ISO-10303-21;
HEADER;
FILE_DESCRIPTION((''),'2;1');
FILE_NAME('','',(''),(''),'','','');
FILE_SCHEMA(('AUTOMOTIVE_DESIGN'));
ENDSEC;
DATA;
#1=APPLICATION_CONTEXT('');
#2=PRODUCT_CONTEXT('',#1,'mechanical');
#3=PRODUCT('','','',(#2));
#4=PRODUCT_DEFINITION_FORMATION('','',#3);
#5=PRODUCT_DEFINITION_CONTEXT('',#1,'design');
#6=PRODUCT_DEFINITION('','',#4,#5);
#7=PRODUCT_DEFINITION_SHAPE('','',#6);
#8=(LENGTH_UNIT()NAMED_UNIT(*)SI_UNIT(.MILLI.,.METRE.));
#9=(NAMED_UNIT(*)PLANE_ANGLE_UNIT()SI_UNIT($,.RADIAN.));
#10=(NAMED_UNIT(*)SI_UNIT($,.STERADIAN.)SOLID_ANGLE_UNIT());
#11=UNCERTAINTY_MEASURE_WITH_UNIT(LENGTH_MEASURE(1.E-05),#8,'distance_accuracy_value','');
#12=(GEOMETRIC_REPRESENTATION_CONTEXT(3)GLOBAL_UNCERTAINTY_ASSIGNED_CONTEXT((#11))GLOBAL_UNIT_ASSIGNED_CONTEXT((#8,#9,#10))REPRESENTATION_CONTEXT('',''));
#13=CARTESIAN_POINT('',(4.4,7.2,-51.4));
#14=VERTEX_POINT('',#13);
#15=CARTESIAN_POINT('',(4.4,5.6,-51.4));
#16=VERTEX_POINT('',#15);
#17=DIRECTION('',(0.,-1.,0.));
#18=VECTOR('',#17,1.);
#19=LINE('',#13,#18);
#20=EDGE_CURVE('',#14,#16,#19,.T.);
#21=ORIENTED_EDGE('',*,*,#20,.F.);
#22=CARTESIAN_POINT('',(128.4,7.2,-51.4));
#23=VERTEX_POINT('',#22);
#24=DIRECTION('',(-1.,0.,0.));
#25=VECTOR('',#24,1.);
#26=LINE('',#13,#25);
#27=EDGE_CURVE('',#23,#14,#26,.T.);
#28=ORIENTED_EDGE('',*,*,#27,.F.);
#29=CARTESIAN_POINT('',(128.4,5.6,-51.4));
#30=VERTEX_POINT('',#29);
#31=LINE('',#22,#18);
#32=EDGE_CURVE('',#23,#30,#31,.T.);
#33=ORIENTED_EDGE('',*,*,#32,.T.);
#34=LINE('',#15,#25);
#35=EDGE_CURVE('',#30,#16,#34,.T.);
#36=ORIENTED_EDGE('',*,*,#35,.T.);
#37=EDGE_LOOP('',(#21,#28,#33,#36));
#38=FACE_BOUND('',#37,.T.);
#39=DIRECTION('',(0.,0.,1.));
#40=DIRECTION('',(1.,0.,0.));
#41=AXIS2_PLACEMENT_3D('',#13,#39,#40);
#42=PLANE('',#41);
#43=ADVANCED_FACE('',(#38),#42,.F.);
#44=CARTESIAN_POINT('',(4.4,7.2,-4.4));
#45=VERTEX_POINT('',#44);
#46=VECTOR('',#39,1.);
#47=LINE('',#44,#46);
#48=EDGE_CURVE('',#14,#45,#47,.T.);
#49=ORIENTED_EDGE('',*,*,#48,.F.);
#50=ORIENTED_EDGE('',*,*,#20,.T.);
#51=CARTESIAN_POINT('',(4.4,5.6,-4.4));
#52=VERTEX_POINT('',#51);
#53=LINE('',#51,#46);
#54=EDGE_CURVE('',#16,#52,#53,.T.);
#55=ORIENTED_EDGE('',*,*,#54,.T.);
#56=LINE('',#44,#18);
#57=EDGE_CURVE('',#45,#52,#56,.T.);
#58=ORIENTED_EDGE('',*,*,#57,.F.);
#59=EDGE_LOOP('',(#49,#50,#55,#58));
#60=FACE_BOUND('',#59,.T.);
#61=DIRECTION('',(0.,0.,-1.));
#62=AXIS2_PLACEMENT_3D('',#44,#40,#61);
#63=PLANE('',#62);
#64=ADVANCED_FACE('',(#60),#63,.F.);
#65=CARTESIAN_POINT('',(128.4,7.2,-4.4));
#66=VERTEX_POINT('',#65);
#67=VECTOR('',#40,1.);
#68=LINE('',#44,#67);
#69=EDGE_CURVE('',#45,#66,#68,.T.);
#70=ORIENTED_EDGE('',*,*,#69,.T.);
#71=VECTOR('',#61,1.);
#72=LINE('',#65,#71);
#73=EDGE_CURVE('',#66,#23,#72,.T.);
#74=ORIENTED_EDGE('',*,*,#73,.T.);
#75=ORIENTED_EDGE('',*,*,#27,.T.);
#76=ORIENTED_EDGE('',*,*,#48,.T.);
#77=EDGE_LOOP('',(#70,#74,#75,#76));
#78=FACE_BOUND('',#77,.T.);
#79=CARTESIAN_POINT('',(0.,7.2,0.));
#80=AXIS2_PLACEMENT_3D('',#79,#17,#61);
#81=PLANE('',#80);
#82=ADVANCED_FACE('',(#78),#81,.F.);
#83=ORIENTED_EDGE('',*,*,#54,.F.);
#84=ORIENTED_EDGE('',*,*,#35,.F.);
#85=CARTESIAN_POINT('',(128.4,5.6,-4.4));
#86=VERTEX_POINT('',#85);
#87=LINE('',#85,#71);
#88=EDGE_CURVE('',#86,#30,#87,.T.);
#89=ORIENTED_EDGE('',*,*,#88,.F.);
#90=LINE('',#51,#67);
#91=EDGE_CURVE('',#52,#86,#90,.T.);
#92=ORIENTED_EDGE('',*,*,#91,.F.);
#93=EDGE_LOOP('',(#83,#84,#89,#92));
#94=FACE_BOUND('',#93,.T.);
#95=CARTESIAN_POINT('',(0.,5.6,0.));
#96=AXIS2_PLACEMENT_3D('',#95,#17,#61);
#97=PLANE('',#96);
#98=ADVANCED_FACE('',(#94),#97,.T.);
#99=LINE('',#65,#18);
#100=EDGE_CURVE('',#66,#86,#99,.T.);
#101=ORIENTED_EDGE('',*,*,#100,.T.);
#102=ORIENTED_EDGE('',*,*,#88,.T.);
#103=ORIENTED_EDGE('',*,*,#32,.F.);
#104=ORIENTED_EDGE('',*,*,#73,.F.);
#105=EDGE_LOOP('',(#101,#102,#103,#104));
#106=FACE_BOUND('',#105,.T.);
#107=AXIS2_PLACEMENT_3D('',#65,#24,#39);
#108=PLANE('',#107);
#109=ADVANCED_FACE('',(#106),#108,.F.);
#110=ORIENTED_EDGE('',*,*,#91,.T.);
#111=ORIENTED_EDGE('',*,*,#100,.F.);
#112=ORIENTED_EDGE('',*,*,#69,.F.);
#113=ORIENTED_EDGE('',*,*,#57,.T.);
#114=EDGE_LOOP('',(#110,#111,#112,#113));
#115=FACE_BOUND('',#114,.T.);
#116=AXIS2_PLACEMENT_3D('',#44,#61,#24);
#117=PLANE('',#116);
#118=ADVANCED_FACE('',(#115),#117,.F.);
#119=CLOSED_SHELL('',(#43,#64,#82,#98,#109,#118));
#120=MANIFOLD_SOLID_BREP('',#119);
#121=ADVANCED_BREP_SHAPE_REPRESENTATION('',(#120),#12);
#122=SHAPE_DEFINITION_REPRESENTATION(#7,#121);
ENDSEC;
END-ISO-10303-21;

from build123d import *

# Parameters (mm, degrees)
SK_PCB_W                   = 124
SK_PCB_H                   = 47
PERFBOARD_124X47X1_6_DEPTH = 1.6


with BuildPart() as part:
    # Sk_PCB → Perfboard 124x47x1.6 (new body)
    with BuildSketch(Plane(origin=(0, 5.6, 0), x_dir=(1, 0, 0), z_dir=(0, 1, 0))):
        with Locations((66.4, 27.9)):
            Rectangle(SK_PCB_W, SK_PCB_H)
    extrude(amount=PERFBOARD_124X47X1_6_DEPTH)


solid = part.part
